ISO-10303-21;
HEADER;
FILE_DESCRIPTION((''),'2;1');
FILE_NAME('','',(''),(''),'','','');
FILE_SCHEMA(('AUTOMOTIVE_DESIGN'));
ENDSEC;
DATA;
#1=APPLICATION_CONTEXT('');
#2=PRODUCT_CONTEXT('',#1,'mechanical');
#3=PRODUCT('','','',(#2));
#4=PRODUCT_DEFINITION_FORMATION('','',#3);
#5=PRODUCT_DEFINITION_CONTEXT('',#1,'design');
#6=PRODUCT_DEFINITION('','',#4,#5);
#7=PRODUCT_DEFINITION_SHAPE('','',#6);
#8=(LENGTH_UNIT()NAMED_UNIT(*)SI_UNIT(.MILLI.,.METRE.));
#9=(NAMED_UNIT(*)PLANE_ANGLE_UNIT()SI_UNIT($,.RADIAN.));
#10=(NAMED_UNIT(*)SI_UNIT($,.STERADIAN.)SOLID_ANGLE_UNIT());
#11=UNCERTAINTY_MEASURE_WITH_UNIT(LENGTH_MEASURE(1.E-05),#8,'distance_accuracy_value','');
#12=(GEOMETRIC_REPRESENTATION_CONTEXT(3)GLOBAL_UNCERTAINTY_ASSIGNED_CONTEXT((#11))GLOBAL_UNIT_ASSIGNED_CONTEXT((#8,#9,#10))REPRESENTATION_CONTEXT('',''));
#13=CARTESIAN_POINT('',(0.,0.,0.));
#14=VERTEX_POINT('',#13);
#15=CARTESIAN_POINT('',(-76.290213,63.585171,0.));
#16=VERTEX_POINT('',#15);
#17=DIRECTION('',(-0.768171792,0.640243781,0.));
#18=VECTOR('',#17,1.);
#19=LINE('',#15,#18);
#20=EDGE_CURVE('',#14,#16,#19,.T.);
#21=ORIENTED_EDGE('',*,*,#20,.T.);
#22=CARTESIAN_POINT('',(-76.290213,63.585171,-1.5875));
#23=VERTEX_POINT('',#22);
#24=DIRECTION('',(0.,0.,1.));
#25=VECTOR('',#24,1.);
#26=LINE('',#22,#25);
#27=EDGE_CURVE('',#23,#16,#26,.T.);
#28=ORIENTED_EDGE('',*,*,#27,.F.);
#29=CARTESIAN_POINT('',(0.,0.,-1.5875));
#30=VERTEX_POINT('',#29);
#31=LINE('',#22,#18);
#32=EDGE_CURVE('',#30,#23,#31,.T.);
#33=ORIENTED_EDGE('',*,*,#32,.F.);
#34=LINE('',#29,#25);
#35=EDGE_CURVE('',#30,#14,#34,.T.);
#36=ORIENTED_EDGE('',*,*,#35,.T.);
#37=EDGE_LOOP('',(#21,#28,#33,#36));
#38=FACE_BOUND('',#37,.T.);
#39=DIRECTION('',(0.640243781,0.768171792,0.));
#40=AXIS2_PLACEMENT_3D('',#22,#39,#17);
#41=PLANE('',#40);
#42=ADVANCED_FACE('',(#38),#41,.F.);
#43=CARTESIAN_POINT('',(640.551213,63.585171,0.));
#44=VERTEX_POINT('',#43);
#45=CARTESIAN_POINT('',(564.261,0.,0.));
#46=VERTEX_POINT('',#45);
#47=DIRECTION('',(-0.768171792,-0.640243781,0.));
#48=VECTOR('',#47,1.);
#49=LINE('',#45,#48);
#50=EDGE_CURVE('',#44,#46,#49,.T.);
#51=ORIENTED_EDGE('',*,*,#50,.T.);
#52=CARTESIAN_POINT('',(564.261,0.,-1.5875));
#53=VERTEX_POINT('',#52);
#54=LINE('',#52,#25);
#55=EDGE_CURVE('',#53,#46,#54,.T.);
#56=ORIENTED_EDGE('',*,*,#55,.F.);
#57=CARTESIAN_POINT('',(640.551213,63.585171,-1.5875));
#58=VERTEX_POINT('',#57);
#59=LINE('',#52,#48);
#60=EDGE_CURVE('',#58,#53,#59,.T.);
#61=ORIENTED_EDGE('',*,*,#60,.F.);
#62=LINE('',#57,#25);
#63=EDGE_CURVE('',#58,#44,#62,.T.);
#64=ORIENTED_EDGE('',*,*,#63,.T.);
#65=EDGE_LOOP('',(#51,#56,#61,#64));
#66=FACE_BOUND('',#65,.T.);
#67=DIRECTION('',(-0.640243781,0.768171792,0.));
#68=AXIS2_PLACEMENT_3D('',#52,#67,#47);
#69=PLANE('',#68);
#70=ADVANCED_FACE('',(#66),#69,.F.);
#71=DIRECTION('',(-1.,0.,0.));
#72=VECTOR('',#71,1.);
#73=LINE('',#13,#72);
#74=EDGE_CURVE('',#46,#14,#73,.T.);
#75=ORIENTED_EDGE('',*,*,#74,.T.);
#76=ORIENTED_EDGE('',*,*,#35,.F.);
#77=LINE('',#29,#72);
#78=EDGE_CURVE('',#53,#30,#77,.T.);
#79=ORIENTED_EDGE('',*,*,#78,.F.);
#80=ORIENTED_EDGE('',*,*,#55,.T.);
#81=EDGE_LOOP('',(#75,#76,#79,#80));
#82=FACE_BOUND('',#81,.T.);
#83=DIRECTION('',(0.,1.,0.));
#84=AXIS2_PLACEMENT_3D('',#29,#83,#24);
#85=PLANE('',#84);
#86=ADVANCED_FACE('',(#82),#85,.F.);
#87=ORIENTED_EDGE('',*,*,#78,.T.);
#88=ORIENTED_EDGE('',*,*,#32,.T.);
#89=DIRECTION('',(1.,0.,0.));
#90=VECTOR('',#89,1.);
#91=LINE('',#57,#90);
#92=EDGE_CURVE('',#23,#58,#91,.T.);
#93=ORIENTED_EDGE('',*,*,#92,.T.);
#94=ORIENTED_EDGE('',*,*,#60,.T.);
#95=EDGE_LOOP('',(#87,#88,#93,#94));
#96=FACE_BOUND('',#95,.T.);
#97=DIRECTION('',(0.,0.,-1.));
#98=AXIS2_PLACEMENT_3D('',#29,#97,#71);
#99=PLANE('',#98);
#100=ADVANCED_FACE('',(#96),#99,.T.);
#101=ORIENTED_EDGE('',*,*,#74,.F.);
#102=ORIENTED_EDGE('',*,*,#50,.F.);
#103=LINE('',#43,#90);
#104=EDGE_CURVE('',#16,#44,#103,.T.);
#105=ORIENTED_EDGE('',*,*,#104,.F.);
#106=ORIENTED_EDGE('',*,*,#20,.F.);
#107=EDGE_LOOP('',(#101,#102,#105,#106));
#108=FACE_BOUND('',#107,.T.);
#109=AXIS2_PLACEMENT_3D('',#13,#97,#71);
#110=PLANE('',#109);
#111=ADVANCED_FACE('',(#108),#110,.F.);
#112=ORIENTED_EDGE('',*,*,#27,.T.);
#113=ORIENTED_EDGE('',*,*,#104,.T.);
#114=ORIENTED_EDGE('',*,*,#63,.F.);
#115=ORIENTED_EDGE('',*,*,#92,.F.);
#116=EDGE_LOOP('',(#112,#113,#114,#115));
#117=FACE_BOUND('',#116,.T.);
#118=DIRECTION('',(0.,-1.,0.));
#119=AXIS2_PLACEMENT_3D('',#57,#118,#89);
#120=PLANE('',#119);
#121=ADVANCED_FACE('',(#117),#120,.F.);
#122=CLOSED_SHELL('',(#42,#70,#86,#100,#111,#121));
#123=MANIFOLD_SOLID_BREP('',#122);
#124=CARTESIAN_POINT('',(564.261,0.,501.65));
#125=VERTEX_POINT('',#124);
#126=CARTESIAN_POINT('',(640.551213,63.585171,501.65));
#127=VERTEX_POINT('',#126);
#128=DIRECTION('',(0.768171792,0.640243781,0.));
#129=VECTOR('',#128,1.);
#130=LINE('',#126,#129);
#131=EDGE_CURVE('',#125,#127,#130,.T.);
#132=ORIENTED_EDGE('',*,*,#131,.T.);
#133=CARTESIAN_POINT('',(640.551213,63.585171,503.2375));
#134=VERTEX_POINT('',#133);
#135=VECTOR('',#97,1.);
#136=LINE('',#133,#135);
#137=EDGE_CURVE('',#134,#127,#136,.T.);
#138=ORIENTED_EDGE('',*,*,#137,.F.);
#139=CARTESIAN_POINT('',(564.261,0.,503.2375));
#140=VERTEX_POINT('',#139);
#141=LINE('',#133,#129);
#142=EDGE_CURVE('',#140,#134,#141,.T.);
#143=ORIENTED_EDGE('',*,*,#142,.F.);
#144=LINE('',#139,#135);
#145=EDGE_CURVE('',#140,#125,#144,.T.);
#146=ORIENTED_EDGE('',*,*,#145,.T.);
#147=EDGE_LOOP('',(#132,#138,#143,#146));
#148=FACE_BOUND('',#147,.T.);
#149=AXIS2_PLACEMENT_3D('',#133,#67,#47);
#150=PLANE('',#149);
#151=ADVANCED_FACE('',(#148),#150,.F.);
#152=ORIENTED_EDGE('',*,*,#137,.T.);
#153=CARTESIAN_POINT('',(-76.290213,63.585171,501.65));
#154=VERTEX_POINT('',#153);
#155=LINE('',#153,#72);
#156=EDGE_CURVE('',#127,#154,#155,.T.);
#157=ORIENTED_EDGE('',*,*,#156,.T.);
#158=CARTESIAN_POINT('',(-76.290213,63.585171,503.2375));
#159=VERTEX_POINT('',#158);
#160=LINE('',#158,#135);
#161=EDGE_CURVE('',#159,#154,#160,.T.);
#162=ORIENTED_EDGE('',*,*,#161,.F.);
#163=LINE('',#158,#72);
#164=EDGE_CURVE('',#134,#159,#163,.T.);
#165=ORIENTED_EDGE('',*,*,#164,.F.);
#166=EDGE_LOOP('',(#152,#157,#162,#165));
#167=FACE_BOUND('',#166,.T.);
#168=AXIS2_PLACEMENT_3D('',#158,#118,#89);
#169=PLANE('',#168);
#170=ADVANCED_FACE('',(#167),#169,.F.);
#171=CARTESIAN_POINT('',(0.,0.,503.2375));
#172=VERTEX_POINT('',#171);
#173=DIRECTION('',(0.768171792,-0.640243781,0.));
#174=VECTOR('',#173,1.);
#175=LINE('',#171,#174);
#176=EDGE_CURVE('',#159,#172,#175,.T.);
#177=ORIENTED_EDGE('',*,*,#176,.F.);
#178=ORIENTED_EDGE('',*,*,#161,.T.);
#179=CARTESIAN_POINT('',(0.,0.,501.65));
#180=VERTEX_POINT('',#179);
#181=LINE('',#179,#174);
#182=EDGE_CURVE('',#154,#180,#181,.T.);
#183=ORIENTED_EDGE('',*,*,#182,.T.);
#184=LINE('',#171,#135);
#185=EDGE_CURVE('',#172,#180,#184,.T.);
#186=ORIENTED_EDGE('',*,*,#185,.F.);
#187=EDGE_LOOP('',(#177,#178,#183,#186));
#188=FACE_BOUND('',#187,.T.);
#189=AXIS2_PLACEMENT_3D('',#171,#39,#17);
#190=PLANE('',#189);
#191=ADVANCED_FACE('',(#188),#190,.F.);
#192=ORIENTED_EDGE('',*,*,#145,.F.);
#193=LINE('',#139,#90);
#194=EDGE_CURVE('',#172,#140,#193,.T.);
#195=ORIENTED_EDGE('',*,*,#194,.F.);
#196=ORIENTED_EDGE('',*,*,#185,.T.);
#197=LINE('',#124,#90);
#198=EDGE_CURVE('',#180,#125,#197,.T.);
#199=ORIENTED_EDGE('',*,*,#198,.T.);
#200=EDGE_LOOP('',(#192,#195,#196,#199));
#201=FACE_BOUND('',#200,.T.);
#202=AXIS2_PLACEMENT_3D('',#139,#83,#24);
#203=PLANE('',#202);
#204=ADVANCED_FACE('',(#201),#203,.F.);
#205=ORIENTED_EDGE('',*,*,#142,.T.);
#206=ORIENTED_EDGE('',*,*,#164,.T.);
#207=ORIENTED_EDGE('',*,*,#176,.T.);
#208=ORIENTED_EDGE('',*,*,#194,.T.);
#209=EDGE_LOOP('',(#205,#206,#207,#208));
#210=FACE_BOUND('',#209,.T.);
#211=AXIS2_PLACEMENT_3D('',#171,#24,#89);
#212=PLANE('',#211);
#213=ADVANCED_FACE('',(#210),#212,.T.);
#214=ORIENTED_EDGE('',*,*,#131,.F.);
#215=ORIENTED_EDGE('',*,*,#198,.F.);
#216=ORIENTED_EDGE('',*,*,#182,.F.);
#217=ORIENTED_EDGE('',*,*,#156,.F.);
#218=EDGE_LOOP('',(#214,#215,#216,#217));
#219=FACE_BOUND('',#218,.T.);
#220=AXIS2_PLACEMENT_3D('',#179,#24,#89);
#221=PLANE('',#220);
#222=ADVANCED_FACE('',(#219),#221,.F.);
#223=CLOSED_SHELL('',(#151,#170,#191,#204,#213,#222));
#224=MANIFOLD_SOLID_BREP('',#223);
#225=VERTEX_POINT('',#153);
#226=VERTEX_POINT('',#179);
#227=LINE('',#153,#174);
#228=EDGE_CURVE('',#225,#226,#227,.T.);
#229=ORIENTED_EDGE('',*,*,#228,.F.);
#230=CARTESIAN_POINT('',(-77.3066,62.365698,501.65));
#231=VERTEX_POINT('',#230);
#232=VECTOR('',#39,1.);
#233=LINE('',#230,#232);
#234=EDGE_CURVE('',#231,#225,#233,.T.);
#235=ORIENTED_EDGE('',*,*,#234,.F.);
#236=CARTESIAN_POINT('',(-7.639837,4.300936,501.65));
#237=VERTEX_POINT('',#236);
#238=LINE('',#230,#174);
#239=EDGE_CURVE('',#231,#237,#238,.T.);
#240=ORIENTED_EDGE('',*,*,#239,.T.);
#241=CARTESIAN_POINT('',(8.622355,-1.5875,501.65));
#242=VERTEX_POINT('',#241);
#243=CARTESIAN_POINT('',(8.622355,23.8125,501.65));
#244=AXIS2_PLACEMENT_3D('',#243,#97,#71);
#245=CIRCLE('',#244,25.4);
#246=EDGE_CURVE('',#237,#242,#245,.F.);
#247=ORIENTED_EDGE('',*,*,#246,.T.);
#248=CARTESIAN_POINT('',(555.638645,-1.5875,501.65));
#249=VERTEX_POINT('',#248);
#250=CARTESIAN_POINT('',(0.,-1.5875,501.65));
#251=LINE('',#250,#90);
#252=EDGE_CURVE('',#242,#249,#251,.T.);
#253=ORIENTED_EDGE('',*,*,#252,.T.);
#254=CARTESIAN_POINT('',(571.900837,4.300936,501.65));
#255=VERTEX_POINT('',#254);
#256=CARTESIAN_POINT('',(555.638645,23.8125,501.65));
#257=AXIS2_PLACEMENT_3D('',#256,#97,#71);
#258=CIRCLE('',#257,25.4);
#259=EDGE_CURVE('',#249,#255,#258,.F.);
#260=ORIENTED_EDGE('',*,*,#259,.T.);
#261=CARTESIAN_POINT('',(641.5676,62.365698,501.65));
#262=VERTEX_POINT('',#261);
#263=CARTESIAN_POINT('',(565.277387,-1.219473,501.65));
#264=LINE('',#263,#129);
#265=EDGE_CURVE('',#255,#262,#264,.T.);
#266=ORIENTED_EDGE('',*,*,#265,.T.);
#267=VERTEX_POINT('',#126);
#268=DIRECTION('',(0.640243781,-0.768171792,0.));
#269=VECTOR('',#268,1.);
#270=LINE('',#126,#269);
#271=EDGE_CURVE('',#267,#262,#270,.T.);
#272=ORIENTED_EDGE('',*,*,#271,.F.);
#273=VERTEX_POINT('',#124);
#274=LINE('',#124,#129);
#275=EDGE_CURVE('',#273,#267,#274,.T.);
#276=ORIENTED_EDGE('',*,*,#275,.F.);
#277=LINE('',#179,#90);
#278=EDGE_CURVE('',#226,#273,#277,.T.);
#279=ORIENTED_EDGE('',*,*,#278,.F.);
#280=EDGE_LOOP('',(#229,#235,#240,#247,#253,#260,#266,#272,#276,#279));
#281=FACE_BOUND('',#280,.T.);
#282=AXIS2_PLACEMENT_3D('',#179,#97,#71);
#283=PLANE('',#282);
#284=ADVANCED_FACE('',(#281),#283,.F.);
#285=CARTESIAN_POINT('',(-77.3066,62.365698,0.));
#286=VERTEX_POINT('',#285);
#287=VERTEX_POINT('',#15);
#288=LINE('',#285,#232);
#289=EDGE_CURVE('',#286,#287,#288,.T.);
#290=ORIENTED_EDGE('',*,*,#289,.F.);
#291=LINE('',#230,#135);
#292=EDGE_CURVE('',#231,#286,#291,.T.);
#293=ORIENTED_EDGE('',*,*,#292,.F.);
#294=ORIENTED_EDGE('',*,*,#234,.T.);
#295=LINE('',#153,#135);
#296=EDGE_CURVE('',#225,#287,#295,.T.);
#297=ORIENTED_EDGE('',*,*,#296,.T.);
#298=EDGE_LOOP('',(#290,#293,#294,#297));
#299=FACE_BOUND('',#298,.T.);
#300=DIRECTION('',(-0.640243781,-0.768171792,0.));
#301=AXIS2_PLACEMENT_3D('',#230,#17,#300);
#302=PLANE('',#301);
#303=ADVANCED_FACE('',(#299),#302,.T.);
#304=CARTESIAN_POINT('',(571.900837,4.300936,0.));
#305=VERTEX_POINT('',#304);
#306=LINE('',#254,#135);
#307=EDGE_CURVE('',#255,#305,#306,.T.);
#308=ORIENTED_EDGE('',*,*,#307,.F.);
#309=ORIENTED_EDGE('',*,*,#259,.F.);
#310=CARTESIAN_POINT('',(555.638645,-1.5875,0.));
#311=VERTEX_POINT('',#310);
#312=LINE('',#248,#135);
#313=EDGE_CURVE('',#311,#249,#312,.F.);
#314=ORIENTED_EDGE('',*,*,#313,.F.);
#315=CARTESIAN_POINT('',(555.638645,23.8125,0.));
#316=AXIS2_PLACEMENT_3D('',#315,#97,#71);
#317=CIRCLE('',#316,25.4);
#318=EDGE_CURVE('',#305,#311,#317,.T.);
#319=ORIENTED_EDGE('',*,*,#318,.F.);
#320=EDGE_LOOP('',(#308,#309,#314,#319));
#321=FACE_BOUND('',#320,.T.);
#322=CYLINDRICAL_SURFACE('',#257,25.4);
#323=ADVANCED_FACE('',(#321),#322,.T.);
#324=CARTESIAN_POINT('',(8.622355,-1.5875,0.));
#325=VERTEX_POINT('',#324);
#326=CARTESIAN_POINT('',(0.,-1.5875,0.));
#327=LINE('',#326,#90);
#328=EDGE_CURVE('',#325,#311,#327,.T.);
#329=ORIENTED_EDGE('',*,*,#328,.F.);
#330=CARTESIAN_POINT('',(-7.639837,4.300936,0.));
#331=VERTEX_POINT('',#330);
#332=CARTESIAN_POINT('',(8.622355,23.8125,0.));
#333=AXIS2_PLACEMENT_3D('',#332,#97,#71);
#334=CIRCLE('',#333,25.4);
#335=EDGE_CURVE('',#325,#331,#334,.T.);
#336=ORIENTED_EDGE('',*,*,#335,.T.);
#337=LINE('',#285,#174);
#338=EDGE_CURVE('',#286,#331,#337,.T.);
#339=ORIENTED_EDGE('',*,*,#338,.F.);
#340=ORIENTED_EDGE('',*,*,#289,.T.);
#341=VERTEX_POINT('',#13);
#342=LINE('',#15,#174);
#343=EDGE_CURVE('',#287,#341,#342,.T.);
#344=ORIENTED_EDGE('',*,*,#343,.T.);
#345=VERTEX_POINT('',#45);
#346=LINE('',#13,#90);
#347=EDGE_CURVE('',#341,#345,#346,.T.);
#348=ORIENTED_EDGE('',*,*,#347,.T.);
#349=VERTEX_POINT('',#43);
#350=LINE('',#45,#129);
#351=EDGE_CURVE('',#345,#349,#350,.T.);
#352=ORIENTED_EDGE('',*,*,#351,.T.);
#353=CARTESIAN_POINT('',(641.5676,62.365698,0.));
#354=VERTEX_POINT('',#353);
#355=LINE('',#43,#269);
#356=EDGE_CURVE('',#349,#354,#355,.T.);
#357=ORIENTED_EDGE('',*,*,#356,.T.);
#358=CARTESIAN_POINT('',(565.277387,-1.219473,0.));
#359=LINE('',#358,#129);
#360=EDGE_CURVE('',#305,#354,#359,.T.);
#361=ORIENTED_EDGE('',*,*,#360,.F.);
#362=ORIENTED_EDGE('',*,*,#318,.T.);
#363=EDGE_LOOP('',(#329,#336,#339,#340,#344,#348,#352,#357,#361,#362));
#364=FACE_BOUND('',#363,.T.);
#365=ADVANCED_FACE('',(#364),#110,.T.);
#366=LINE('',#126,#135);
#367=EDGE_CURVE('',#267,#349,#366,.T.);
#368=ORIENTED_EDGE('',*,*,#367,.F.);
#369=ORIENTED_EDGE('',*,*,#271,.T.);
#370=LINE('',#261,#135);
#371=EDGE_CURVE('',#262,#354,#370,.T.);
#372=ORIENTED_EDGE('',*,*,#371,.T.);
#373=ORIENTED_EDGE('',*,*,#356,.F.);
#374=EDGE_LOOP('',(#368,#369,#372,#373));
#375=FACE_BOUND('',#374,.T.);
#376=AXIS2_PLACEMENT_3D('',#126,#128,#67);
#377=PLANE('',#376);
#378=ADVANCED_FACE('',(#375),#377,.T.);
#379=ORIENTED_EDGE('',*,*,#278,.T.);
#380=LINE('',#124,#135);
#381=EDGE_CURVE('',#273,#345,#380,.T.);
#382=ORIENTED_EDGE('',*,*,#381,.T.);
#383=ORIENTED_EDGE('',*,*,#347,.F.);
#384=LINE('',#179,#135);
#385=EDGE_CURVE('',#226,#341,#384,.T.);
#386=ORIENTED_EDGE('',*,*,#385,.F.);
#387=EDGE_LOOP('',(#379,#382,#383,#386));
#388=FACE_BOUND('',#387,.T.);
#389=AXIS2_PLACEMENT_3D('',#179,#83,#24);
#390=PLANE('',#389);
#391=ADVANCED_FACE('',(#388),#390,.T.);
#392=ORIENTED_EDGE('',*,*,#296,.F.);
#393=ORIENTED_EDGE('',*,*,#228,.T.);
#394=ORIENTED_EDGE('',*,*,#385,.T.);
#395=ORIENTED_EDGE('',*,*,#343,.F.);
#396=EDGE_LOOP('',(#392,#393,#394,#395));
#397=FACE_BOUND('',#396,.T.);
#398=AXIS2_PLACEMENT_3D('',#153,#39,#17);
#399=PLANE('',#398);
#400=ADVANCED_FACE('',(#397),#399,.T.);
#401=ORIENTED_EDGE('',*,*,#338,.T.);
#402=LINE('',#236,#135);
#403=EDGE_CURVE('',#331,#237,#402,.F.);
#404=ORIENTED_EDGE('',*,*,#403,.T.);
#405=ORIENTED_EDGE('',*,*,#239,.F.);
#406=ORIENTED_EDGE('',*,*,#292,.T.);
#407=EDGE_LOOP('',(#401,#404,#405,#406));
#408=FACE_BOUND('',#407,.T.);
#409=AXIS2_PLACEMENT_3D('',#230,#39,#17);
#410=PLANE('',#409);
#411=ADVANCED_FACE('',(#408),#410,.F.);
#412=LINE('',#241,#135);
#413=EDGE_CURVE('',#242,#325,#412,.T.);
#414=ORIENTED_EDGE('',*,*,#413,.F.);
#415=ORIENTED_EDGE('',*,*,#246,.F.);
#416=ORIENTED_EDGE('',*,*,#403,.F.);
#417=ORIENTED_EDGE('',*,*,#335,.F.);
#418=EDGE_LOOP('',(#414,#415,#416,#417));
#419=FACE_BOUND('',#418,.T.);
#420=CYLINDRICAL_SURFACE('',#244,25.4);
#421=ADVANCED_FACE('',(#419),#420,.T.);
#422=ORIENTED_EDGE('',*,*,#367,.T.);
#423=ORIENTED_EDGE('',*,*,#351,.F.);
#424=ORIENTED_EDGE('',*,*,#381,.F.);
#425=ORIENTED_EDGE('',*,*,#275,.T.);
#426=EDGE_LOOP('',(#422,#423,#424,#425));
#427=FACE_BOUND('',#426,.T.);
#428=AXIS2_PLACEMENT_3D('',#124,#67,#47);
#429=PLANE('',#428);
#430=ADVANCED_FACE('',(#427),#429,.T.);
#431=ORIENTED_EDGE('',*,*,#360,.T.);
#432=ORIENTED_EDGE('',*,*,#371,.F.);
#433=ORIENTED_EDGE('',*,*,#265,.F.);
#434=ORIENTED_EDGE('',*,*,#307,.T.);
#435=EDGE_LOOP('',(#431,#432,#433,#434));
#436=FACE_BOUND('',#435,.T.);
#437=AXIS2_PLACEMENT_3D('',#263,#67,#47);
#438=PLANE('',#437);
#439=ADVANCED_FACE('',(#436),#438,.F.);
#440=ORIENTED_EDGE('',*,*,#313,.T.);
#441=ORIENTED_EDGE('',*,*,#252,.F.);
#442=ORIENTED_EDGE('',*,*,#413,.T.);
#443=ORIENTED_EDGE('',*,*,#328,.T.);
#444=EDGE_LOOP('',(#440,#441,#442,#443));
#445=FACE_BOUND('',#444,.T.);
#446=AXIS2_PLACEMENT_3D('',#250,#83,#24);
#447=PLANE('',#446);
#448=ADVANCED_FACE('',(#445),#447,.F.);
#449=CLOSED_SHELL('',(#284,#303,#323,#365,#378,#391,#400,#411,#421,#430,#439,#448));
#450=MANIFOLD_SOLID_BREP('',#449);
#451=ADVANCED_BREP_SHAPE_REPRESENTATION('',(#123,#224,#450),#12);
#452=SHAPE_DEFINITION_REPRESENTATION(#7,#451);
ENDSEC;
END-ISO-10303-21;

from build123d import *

# Parameters (mm, degrees)
EXTRUDE_THIN1_DEPTH = 501.65
FILLET1_R           = 25.4
BOSS_EXTRUDE1_DEPTH = 1.5875
BOSS_EXTRUDE2_DEPTH = 1.5875


with BuildPart() as part:
    # Sketch1 → Extrude-Thin1 (new body)
    with BuildSketch(Plane.XY):
        Polygon((-76.290213318, 63.585170817), (0, 0), (564.261, 0), (640.551213318, 63.585170817), (641.56760032, 62.365698098), (564.835823672, -1.5875), (-0.574823672, -1.5875), (-77.30660032, 62.365698098), align=None)
    extrude(amount=EXTRUDE_THIN1_DEPTH)

    # Fillet1
    fillet1_edges = [part.edges().sort_by_distance(p)[0] for p in [
        (564.835823672, -1.5875, 250.825),
        (-0.574823672, -1.5875, 250.825),
    ]]
    fillet(fillet1_edges, radius=FILLET1_R)


with BuildPart() as body_2:
    # Sketch2 → Boss-Extrude1 (new body)
    with BuildSketch(Plane.XY.offset(501.65)):
        Polygon((-76.290213318, 63.585170817), (640.551213318, 63.585170817), (564.261, 0), (0, 0), align=None)
    extrude(amount=BOSS_EXTRUDE1_DEPTH)


with BuildPart() as body_3:
    # Sketch3 → Boss-Extrude2 (new body)
    with BuildSketch(Plane(origin=(0, 0, 0), x_dir=(-1, 0, 0), z_dir=(0, 0, -1))):
        Polygon((-640.551213318, 63.585170817), (76.290213318, 63.585170817), (0, 0), (-564.261, 0), align=None)
    extrude(amount=BOSS_EXTRUDE2_DEPTH)


solid = Compound([part.part, body_2.part, body_3.part])
